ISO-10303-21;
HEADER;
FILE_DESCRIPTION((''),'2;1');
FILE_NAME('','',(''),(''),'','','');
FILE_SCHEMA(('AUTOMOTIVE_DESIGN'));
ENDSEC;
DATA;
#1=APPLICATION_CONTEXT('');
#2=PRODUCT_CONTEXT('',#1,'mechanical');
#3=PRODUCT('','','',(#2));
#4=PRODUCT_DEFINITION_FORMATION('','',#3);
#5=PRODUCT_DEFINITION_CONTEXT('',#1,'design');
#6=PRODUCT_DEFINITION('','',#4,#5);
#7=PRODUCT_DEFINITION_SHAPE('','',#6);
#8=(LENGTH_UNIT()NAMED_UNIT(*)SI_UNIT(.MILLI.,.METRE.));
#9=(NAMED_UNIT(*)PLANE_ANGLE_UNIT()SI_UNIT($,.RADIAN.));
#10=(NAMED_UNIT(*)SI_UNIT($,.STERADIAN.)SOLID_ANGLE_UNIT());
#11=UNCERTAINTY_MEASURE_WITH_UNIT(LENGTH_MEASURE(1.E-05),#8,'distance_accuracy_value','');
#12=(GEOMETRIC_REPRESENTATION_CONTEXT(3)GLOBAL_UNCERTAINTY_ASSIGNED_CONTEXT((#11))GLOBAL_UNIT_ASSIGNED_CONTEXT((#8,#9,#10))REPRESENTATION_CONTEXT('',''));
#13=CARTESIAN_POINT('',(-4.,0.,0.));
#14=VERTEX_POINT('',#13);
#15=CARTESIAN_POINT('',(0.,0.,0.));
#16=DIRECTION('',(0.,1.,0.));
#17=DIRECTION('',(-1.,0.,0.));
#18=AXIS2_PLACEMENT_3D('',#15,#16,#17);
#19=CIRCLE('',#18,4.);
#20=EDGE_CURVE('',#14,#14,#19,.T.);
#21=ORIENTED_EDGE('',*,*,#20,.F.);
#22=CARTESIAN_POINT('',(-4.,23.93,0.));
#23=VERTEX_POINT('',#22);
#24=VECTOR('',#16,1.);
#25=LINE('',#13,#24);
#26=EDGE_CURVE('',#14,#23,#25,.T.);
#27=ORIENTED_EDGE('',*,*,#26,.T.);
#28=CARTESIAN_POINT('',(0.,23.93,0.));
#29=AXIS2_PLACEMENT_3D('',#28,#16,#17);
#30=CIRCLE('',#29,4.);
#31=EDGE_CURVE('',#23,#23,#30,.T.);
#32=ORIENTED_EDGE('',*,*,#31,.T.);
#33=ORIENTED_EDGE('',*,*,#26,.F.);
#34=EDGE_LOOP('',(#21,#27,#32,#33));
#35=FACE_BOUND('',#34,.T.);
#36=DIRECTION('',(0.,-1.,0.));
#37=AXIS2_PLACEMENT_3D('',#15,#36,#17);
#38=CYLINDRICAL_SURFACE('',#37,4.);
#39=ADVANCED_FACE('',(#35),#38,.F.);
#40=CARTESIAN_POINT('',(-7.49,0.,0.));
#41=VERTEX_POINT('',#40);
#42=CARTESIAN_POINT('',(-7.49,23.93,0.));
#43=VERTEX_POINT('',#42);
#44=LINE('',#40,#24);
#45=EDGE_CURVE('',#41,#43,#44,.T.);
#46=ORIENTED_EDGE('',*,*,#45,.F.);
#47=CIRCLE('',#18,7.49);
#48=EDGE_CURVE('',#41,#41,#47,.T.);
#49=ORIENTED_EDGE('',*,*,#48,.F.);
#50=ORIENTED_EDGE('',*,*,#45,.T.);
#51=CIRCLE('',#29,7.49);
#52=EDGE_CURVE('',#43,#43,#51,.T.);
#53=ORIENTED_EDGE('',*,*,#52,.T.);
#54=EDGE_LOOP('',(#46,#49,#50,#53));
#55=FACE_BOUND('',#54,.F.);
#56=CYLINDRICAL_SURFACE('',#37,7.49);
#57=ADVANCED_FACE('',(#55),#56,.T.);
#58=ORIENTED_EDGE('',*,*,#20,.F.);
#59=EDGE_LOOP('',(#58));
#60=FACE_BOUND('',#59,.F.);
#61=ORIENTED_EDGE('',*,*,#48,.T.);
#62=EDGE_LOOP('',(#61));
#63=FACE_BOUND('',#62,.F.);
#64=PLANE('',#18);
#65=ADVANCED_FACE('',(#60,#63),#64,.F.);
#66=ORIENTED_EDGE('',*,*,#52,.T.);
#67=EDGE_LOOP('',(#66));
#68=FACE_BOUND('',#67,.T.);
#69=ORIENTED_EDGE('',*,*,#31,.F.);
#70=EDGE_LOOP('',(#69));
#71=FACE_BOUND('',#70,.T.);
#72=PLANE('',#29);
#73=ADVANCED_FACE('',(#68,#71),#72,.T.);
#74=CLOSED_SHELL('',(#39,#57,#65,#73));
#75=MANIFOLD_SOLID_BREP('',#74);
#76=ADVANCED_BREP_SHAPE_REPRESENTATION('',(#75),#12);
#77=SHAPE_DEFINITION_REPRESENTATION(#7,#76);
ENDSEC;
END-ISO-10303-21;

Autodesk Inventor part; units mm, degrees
ref_plane "YZ Plane" through (0, 0, 0) normal (1, 0, 0) x (0, 1, 0)
ref_plane "XZ Plane" through (0, 0, 0) normal (0, 1, 0) x (-1, 0, 0)
ref_plane "XY Plane" through (0, 0, 0) normal (0, 0, 1) x (1, 0, 0)
sketch "Sketch1" plane through (0, 0, 0) normal (0, 1, 0) x (-1, 0, 0)
  circle A0 centre (0, 0) radius 7.49
  circle A1 centre (0, 0) radius 4
  dimension "d0" = 14.98
  dimension "d1" = 8
extrude "Extrusion1" add sketch "Sketch1" along normal blind 23.93
properties part number "lm8uu"
